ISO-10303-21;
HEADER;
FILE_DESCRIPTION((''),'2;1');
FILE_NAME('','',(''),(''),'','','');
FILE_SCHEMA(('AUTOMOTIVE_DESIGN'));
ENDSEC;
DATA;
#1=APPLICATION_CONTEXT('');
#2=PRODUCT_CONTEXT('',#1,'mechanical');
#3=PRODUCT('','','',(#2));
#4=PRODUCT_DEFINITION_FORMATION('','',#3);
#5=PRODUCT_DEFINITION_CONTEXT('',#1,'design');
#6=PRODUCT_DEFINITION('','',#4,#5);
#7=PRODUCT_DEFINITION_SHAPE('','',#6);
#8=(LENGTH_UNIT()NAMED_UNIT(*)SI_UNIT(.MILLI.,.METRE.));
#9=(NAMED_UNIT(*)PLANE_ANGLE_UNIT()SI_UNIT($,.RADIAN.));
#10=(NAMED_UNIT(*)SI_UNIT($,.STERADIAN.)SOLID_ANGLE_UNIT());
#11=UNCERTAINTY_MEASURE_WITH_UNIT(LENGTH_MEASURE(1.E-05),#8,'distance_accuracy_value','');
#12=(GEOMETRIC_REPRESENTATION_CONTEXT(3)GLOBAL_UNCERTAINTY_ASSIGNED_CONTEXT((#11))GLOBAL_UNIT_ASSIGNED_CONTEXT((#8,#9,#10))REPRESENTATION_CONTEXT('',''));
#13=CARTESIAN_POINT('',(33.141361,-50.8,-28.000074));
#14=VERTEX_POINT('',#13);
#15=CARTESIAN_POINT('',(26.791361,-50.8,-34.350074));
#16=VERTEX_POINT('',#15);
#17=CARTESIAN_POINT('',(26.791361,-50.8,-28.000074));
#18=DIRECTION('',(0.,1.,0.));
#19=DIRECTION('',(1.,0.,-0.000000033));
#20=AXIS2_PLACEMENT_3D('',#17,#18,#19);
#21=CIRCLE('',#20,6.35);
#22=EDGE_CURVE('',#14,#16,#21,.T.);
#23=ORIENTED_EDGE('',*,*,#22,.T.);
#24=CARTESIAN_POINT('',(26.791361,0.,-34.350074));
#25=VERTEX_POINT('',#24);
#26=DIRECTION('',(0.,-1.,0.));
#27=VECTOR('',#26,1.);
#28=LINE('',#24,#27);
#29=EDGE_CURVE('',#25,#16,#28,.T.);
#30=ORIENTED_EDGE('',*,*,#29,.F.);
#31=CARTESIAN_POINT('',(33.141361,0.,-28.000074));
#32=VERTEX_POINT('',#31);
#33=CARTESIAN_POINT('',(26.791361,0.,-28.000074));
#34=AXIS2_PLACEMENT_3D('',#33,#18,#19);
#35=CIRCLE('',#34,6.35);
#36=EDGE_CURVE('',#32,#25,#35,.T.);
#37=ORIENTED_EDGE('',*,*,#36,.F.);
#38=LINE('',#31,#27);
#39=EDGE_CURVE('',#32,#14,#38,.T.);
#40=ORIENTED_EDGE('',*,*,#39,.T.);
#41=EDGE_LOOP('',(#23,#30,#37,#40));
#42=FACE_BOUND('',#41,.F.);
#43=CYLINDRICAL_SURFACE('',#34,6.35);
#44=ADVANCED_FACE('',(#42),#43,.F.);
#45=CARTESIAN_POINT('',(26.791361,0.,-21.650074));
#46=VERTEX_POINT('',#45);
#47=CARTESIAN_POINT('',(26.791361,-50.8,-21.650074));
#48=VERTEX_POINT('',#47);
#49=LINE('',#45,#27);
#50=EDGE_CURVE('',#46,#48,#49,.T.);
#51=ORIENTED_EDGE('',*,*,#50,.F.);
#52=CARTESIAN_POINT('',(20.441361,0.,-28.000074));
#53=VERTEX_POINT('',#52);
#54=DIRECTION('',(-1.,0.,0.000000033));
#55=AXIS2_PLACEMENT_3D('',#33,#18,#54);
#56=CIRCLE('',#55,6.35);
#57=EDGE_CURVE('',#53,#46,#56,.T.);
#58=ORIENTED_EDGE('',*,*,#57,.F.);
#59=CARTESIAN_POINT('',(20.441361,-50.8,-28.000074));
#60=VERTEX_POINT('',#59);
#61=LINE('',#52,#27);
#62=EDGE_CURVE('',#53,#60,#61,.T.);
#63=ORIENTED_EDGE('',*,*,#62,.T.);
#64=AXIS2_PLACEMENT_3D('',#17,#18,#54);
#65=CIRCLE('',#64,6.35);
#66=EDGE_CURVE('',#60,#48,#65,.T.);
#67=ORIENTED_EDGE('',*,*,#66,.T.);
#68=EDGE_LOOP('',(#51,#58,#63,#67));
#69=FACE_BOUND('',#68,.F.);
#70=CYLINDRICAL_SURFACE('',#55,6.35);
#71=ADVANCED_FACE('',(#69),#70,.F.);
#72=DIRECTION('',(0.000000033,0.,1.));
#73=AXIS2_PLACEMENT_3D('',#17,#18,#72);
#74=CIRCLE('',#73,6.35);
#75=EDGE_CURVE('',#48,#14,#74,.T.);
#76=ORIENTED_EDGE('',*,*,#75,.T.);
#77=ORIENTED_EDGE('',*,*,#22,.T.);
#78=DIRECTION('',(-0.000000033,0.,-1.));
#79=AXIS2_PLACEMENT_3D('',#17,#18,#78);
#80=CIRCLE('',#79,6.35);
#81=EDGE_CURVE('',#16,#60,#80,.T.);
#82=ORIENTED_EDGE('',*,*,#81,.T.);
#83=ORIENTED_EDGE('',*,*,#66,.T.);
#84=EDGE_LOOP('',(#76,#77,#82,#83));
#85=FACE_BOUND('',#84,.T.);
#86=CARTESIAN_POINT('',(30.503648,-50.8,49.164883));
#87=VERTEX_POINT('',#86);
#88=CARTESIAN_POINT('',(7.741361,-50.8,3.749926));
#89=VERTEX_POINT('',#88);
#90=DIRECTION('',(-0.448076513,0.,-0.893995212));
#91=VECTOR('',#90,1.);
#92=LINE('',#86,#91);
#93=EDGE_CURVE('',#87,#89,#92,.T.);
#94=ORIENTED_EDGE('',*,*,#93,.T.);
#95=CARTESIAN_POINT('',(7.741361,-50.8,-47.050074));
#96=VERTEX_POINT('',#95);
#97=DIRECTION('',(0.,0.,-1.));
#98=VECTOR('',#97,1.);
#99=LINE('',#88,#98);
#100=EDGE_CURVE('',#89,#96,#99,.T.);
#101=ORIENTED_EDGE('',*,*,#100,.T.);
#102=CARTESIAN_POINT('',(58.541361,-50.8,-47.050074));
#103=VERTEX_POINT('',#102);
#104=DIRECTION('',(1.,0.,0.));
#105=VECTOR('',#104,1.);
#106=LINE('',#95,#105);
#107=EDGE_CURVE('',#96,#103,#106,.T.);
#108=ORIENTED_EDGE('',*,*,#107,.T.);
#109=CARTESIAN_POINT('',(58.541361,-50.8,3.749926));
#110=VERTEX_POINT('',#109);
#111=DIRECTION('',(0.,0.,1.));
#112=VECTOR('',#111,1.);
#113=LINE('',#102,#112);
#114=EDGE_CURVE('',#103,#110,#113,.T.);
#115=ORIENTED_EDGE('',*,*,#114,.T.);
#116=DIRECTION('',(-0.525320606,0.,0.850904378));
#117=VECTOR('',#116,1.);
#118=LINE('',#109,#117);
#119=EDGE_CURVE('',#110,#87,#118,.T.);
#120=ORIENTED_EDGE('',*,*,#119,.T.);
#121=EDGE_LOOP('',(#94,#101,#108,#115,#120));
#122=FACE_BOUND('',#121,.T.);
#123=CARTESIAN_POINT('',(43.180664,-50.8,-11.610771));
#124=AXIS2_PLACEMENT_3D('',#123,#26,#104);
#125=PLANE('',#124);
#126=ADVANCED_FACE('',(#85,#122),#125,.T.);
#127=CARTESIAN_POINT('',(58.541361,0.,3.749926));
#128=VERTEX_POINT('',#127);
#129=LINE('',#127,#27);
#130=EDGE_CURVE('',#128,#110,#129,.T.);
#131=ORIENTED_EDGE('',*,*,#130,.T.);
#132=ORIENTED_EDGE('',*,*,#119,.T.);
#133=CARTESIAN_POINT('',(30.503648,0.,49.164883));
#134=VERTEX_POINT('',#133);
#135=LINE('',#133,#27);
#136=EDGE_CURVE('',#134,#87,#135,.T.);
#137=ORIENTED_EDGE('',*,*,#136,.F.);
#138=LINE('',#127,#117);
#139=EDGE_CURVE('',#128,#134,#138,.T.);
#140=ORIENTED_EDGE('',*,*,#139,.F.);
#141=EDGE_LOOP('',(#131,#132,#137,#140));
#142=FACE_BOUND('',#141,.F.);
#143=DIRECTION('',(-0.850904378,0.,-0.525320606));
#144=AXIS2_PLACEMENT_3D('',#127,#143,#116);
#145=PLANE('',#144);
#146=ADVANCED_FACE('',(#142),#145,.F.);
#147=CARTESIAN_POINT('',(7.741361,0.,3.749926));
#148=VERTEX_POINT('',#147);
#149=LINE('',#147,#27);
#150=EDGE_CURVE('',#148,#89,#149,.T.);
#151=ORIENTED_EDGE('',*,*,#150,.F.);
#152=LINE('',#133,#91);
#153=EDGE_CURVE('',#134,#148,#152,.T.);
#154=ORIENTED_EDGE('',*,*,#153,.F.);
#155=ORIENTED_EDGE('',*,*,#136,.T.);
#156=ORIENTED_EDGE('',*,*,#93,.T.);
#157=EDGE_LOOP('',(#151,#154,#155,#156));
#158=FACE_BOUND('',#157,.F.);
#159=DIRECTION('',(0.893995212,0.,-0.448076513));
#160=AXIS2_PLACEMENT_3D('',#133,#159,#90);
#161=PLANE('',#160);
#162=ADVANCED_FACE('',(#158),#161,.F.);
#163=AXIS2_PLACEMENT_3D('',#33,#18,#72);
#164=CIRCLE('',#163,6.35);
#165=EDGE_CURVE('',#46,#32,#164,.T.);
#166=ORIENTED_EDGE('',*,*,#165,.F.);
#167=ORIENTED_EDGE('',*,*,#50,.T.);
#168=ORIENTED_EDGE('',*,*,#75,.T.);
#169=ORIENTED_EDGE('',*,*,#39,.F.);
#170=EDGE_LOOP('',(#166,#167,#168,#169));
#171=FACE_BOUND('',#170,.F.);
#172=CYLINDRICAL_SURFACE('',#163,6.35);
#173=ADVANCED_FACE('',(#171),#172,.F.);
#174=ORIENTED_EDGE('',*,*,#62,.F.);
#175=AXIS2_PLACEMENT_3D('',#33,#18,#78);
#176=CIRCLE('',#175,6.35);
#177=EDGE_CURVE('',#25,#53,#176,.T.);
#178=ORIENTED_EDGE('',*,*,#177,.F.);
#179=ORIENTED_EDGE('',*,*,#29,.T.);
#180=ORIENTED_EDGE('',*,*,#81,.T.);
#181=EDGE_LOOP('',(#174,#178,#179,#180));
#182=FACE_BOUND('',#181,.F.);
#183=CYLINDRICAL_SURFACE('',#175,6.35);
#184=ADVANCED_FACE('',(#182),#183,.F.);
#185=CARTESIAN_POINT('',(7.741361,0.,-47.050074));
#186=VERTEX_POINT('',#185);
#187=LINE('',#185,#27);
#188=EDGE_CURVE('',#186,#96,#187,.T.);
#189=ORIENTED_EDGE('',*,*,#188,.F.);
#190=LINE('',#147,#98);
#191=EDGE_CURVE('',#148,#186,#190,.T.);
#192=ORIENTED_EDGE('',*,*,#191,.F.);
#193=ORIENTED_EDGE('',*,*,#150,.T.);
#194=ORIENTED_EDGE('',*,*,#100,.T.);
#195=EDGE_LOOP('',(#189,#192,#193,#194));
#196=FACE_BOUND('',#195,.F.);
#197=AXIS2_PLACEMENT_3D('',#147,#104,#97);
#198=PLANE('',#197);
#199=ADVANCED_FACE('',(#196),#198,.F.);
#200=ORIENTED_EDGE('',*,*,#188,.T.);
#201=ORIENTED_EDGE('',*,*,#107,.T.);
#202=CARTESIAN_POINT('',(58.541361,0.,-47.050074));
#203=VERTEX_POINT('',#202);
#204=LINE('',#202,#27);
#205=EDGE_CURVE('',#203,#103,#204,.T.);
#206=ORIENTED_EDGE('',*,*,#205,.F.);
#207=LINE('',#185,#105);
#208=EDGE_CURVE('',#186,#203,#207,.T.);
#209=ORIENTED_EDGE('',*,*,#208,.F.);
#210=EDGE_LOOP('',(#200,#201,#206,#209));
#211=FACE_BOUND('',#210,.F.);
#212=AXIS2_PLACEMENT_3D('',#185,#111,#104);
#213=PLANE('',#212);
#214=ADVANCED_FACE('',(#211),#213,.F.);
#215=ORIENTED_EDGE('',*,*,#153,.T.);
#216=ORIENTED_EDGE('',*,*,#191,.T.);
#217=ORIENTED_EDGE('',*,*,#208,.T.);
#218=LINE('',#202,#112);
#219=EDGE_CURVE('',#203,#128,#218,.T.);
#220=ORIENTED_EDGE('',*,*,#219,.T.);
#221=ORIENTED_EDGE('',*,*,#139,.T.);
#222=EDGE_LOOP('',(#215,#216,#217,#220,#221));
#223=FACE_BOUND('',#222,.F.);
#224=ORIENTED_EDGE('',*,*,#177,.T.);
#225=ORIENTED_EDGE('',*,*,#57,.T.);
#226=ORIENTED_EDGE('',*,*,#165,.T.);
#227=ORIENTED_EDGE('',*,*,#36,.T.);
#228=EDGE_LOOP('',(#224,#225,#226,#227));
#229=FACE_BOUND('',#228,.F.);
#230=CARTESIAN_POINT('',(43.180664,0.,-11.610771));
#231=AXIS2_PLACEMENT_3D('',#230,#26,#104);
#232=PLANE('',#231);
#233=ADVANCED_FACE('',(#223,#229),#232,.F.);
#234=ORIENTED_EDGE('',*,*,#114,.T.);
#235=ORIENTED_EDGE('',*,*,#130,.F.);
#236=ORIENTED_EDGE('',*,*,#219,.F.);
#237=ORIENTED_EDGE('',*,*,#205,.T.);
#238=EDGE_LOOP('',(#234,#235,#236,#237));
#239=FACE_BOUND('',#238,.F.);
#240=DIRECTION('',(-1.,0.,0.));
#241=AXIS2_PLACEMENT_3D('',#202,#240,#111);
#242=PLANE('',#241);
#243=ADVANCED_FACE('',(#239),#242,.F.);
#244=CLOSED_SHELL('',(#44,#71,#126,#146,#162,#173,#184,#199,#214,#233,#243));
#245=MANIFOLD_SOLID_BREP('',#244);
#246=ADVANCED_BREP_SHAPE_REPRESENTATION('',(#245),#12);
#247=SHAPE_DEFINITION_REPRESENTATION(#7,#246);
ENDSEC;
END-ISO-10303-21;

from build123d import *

# Parameters (mm, degrees)
F1_DEPTH = 50.8


with BuildPart() as f1:
    # F0 (on Front) → F1 (new body)
    with BuildSketch(Plane.XZ):
        with BuildLine():
            Line((58.541361, 3.749926), (26.791361, 3.749926))
            Line((26.791361, 3.749926), (26.791361, -21.650074))
            ThreePointArc((26.791361, -21.650074), (31.281489, -23.509946), (33.141361, -28.000074))
            Line((33.141361, -28.000074), (58.541361, -28.000074))
            Line((58.541361, -28.000074), (58.541361, 3.749926))
        make_face()
        with BuildLine():
            Line((26.791361, 3.749926), (7.741361, 3.749926))
            Line((7.741361, 3.749926), (7.741361, -28.000074))
            Line((7.741361, -28.000074), (20.441361, -28.000074))
            ThreePointArc((20.441361, -28.000074), (22.301233, -23.509946), (26.791361, -21.650074))
            Line((26.791361, -21.650074), (26.791361, 3.749926))
        make_face()
        with BuildLine():
            Line((20.441361, -28.000074), (7.741361, -28.000074))
            Line((7.741361, -28.000074), (7.741361, -47.050074))
            Line((7.741361, -47.050074), (26.791361, -47.050074))
            Line((26.791361, -47.050074), (26.791361, -34.350074))
            ThreePointArc((26.791361, -34.350074), (22.301233, -32.490202), (20.441361, -28.000074))
        make_face()
        with BuildLine():
            Line((58.541361, -47.050074), (58.541361, -28.000074))
            Line((58.541361, -28.000074), (33.141361, -28.000074))
            ThreePointArc((33.141361, -28.000074), (31.281489, -32.490202), (26.791361, -34.350074))
            Line((26.791361, -34.350074), (26.791361, -47.050074))
            Line((26.791361, -47.050074), (58.541361, -47.050074))
        make_face()
        Polygon((30.503648, 49.164883), (7.741361, 3.749926), (26.791361, 3.749926), (58.541361, 3.749926), align=None)
    extrude(amount=F1_DEPTH)


solid = f1.part
